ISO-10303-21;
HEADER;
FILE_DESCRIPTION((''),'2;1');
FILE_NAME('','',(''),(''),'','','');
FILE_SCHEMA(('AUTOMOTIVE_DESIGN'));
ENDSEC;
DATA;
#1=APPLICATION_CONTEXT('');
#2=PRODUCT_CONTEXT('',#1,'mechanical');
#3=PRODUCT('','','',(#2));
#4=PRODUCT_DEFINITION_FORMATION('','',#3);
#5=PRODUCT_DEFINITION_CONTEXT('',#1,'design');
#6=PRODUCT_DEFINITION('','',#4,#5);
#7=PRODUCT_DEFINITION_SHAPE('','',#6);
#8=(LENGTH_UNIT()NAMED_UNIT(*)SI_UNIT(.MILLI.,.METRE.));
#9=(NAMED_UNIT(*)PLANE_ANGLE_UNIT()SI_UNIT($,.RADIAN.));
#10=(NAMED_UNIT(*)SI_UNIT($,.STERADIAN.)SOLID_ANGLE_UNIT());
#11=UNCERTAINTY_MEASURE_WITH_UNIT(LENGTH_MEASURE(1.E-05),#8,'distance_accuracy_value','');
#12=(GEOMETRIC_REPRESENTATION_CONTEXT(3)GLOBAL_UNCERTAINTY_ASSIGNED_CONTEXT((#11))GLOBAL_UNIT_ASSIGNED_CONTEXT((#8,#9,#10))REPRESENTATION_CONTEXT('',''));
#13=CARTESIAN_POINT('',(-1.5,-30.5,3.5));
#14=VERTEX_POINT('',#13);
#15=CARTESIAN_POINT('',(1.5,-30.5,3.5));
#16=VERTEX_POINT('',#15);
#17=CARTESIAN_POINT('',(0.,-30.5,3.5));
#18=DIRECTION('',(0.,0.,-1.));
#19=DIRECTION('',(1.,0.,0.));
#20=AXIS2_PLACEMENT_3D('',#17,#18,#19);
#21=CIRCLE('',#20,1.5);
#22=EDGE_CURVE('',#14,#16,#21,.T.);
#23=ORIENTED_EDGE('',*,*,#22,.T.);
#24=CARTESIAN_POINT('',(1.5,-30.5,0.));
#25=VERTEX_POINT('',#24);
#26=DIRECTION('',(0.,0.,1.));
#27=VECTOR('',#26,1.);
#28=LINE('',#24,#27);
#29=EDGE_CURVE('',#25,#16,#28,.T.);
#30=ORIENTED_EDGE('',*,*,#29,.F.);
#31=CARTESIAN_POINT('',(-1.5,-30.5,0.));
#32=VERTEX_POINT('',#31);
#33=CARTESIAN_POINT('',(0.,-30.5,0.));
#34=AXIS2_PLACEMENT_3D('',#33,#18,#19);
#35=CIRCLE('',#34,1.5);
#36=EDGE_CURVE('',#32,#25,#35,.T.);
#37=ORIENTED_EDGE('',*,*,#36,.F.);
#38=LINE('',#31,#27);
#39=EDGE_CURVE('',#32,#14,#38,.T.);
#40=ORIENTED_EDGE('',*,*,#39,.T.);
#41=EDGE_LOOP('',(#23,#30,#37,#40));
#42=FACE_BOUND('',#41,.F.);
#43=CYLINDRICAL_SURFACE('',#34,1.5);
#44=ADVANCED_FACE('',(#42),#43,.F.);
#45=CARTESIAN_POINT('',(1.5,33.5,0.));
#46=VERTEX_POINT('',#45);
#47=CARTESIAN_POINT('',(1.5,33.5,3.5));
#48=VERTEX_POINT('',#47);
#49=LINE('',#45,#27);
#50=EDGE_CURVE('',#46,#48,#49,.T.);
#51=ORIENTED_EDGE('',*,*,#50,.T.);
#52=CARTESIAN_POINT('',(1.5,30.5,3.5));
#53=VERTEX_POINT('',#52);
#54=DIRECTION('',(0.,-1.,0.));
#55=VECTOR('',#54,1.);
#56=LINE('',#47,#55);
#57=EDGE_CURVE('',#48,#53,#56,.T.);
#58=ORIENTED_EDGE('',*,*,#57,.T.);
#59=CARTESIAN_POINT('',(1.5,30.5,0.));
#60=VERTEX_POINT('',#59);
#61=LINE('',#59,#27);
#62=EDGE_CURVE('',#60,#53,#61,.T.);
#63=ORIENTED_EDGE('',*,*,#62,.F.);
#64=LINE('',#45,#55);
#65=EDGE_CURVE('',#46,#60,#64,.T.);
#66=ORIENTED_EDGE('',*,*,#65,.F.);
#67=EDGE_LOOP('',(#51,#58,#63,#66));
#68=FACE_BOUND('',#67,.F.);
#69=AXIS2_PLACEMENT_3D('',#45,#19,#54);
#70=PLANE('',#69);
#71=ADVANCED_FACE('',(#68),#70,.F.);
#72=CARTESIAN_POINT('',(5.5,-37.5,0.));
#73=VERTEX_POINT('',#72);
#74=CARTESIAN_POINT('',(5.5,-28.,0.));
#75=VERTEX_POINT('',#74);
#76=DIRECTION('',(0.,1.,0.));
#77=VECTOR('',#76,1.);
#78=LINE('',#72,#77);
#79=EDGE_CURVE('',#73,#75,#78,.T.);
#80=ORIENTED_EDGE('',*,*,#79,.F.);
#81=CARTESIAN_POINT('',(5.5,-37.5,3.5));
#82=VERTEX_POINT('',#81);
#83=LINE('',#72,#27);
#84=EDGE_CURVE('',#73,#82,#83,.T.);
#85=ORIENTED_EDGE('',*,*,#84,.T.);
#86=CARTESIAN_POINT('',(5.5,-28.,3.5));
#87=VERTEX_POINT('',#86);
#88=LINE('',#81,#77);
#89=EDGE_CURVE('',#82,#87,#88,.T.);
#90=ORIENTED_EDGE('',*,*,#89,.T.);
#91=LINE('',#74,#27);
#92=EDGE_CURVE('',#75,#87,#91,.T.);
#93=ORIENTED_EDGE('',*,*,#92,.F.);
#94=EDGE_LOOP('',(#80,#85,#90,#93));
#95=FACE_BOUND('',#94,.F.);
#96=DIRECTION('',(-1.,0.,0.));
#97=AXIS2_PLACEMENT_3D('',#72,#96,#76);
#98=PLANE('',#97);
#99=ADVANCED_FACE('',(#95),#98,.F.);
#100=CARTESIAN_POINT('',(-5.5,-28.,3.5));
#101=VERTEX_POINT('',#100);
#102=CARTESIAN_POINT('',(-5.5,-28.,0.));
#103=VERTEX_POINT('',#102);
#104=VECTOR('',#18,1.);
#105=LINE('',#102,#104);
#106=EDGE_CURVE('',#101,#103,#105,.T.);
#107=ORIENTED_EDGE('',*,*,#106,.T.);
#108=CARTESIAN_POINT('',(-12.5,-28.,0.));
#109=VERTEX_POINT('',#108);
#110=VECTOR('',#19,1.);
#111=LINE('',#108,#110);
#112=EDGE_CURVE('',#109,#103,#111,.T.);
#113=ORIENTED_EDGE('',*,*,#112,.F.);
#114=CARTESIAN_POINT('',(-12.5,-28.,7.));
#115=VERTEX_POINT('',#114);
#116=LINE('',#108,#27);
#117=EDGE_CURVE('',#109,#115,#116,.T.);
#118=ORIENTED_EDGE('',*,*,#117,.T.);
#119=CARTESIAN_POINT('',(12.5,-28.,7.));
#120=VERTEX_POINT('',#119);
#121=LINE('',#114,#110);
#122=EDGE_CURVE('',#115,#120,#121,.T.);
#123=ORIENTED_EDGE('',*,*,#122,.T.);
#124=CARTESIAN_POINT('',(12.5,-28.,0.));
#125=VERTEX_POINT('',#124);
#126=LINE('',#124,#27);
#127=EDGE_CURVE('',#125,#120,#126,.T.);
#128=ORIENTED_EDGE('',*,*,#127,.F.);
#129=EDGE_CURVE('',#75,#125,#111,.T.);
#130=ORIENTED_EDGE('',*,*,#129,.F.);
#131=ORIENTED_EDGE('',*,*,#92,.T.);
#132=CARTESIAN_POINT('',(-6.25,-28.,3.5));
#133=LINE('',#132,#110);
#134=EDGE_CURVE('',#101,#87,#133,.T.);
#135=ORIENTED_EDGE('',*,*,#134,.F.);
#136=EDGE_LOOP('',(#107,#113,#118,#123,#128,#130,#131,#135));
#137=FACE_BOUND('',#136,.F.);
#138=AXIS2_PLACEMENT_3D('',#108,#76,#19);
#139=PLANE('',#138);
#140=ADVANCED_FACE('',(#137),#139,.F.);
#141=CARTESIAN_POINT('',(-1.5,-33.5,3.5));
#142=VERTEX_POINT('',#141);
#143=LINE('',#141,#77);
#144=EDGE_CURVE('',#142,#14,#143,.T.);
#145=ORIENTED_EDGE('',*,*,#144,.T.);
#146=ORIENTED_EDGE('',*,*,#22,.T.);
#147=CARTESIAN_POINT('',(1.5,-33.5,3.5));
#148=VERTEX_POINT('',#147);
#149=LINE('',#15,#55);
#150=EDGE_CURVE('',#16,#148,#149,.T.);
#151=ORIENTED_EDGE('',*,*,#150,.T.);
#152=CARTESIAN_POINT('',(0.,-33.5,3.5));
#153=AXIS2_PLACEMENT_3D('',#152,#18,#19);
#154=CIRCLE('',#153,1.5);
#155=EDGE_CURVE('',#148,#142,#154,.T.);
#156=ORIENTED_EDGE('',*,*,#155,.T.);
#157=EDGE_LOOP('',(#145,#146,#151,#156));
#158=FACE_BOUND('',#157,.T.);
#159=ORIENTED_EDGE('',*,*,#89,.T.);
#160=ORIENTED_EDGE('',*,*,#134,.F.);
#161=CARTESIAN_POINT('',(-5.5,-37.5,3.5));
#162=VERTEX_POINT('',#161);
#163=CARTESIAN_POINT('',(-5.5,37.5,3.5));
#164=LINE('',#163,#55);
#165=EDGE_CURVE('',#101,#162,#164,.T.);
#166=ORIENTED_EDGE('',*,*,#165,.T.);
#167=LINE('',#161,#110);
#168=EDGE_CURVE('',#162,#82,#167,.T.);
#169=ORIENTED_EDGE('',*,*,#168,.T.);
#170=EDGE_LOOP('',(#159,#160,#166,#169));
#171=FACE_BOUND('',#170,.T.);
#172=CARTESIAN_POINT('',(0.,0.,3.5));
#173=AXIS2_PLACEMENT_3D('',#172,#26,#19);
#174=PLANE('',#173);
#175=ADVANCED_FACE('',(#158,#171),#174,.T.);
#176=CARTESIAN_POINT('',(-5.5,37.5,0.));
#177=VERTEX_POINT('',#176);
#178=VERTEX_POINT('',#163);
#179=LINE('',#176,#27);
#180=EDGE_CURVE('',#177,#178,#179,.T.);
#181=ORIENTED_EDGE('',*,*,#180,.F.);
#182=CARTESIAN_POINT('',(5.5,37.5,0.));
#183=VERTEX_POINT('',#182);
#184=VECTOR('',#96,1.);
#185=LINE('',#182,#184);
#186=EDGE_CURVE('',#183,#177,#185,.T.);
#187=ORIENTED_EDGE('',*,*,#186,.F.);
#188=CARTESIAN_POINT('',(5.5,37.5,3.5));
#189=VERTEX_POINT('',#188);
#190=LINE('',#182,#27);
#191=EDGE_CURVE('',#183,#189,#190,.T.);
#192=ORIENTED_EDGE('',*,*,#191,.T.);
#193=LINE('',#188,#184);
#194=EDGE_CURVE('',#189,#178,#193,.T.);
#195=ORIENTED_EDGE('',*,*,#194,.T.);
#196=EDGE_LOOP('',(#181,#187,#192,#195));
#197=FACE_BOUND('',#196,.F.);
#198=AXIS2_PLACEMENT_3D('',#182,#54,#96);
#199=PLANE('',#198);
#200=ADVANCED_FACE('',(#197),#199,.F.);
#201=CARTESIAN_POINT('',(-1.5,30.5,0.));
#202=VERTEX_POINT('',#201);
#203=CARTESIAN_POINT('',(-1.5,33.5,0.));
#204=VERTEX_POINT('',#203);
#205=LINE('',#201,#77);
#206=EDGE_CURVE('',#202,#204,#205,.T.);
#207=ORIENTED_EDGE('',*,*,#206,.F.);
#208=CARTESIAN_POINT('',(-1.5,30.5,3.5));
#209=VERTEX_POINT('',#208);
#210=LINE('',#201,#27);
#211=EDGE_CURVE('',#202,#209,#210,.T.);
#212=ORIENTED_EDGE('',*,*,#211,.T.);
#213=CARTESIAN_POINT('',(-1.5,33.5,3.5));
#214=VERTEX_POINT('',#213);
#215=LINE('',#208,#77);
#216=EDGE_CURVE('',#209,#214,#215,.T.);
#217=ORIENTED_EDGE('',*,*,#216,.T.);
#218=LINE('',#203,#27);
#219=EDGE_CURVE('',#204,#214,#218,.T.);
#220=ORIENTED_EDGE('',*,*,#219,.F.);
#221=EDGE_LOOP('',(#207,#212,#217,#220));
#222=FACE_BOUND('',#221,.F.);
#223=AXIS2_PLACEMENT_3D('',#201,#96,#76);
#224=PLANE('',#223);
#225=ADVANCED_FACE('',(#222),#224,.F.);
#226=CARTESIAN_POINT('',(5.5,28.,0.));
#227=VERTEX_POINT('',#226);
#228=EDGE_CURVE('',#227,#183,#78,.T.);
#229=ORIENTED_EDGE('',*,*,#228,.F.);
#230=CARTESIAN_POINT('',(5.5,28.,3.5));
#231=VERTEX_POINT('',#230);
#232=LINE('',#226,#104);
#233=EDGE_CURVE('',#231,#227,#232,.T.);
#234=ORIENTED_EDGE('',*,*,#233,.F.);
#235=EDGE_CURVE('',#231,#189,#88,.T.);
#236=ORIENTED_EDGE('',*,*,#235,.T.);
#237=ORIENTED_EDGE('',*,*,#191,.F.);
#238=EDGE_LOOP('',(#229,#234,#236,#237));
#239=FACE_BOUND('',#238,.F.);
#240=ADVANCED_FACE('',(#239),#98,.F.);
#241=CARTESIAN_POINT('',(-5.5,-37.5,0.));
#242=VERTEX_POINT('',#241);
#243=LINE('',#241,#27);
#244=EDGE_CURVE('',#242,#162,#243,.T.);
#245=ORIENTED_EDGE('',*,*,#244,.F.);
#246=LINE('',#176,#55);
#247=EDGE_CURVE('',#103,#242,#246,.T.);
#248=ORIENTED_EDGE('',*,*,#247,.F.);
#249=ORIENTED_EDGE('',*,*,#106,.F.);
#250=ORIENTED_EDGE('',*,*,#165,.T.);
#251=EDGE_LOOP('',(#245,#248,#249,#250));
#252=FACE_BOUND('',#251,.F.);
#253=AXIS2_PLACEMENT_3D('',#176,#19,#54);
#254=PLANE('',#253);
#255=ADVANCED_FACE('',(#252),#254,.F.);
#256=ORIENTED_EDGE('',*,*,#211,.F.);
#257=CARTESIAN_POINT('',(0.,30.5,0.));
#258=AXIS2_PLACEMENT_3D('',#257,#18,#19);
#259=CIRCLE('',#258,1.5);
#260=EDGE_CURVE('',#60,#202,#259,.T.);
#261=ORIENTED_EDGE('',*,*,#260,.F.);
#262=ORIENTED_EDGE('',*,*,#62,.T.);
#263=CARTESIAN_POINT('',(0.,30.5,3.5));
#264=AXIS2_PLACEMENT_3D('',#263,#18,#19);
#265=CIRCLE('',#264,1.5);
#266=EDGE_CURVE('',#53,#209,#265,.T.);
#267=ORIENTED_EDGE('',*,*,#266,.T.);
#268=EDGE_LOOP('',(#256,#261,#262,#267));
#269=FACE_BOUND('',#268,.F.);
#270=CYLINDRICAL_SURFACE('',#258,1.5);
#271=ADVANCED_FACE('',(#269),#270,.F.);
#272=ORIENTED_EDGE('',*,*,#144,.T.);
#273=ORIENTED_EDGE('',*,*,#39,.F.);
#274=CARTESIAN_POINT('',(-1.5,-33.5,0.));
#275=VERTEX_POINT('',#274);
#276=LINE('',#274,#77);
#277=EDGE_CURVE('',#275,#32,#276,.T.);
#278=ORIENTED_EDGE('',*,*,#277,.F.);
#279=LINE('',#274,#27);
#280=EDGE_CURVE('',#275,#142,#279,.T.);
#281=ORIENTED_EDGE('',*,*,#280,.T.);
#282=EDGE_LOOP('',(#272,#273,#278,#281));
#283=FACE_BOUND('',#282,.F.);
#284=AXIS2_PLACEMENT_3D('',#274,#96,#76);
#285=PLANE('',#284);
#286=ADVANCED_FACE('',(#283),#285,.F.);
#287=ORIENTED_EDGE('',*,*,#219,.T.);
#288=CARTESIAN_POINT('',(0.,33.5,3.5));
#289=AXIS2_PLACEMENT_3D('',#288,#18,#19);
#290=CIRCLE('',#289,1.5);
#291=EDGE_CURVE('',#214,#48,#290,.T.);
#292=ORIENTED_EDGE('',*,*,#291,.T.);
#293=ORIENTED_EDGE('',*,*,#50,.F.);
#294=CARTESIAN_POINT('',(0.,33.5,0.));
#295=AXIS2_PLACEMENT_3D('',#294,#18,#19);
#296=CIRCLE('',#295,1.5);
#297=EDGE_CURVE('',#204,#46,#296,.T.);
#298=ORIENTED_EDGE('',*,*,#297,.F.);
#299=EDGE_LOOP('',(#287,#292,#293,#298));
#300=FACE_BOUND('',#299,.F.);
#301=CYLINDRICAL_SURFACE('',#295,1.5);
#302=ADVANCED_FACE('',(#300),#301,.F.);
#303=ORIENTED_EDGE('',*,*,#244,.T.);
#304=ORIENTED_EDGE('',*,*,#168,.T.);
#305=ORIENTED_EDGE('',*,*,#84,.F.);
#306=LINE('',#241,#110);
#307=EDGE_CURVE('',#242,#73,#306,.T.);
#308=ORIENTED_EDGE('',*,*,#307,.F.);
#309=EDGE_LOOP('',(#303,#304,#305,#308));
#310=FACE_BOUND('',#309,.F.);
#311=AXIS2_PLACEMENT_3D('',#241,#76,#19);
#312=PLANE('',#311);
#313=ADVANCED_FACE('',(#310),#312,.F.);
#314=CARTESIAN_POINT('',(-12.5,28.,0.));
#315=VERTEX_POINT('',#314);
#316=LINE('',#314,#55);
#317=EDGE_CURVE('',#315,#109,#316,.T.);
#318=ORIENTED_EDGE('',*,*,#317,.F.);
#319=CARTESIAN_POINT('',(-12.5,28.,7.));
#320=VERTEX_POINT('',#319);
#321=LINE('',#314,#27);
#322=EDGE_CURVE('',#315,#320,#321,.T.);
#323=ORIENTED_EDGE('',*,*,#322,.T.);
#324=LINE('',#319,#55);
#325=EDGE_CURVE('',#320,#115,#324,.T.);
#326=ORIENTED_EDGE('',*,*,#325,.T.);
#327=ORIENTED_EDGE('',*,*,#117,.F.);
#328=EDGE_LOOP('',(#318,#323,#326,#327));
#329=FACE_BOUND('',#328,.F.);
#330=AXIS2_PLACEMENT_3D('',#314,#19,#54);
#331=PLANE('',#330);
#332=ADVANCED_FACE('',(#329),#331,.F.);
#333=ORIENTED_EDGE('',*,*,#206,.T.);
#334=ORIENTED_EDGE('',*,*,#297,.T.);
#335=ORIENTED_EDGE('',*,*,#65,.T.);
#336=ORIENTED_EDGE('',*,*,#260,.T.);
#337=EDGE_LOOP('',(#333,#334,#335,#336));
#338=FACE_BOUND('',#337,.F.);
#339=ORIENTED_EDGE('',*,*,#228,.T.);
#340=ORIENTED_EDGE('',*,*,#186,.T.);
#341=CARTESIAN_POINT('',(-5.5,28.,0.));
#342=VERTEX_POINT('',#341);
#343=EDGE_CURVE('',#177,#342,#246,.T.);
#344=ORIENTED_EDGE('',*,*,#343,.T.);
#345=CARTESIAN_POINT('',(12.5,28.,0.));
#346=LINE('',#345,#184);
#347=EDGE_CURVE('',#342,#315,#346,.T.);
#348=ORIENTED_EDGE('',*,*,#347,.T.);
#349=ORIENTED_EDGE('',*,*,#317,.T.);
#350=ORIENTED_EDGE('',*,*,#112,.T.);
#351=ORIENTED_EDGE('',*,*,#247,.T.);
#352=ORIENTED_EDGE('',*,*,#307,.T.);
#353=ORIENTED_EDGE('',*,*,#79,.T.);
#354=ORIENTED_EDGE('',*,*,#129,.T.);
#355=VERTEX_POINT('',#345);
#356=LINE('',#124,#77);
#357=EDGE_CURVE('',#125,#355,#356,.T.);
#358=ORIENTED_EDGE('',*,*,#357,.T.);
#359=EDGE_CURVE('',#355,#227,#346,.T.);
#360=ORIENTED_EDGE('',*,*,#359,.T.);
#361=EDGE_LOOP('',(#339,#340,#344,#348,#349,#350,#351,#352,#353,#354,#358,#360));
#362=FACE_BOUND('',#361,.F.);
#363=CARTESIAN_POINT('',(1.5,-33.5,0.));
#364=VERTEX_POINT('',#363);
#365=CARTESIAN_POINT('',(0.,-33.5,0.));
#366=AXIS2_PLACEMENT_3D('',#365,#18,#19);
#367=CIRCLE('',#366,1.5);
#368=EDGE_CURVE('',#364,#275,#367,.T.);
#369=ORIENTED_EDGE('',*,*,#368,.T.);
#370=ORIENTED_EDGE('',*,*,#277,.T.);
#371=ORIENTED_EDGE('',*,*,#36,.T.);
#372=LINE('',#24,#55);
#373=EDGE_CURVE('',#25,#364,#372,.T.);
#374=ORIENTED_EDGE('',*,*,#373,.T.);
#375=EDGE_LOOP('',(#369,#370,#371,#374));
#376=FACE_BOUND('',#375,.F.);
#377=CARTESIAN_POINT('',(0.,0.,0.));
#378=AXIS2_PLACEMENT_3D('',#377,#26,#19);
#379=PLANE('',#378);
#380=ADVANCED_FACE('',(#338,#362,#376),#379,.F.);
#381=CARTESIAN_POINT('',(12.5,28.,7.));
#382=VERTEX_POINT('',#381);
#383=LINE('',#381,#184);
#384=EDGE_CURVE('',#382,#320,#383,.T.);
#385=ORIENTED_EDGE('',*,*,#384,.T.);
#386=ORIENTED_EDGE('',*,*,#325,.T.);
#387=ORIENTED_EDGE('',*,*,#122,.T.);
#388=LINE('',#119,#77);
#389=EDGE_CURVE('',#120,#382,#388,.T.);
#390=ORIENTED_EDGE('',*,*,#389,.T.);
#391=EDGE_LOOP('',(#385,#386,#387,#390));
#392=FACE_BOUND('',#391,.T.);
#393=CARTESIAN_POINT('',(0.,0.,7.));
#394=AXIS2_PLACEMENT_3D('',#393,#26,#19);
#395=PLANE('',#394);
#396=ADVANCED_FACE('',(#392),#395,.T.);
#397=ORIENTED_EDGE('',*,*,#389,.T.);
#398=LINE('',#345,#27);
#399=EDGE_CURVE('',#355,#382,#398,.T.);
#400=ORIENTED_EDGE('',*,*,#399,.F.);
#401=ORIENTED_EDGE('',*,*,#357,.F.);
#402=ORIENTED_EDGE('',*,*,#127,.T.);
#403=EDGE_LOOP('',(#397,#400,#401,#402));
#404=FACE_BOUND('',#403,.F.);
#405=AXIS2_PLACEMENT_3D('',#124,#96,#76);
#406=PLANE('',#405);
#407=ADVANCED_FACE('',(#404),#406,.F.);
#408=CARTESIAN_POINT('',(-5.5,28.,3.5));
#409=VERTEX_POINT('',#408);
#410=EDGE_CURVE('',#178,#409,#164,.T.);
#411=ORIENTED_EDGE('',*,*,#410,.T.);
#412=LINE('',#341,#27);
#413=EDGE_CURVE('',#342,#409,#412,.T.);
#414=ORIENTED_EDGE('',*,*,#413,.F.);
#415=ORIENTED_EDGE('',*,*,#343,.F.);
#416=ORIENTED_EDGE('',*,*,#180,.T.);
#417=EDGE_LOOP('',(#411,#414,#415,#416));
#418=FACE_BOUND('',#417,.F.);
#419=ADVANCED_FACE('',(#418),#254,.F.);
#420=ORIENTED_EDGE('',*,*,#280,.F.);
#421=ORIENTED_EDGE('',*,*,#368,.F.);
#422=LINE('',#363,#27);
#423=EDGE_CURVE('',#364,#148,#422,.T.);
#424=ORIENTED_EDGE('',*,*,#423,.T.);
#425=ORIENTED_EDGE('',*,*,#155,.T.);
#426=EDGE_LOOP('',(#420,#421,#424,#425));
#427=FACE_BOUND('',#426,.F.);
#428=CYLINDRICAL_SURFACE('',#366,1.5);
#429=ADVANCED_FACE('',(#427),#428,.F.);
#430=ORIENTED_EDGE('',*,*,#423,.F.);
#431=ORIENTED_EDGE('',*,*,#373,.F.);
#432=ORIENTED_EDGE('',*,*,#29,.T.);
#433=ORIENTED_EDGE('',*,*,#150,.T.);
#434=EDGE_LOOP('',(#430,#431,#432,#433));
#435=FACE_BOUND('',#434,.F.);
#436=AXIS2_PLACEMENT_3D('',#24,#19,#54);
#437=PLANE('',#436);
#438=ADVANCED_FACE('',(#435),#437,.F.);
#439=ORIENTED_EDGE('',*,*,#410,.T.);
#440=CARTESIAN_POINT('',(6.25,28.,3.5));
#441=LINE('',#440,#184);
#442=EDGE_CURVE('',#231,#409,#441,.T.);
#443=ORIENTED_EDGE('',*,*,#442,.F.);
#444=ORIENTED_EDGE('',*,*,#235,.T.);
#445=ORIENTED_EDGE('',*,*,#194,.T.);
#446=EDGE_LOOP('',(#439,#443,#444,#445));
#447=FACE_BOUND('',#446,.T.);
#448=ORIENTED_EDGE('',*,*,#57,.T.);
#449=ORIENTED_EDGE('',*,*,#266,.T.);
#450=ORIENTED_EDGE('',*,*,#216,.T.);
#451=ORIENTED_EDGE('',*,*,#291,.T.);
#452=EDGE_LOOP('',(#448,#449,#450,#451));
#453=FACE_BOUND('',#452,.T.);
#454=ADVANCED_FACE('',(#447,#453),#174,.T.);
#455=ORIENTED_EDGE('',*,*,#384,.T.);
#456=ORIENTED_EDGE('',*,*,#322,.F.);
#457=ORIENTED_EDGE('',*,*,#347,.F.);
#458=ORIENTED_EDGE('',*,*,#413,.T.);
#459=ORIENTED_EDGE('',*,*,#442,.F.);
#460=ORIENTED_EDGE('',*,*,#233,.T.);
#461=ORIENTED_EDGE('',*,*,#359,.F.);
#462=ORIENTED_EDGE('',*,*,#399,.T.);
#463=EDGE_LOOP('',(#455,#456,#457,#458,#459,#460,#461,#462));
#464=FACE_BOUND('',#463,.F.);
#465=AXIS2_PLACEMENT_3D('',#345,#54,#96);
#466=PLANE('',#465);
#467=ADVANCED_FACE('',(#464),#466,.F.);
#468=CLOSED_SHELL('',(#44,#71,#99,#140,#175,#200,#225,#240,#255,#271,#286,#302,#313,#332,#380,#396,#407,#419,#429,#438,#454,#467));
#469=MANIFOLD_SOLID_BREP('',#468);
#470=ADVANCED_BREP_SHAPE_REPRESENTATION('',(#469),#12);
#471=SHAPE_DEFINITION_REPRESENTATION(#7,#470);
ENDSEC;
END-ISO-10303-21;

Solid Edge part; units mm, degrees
sketch "Sketch1" plane through (0, 0, 0) normal (0, 0, 1) x (1, 0, 0)
  line L0 (-12.5, 28) -> (-12.5, -28)
  line L1 (-12.5, -28) -> (12.5, -28)
  line L2 (12.5, -28) -> (12.5, 28)
  line L3 (12.5, 28) -> (-12.5, 28)
extrude "Protrusion1" add sketch "Sketch1" along normal blind 7
sketch "Sketch2" plane through (0, 0, 0) normal (0, 0, 1) x (1, 0, 0)
  line L0 (-12.5, -28) -> (12.5, -28) construction
  line L1 (5.5, -37.5) -> (5.5, 37.5)
  line L2 (-5.5, -37.5) -> (5.5, -37.5)
  line L3 (-5.5, 37.5) -> (-5.5, -37.5)
  line L4 (-1.5, -33.5) -> (-1.5, -30.5)
  line L5 (1.5, -30.5) -> (1.5, -33.5)
  arc A0 (-1.5, -30.5) -> (1.5, -30.5) centre (0, -30.5) cw
  arc A1 (1.5, -33.5) -> (-1.5, -33.5) centre (0, -33.5) cw
  line L6 (-1.5, 30.5) -> (-1.5, 33.5)
  line L7 (1.5, 33.5) -> (1.5, 30.5)
  arc A2 (1.5, 30.5) -> (-1.5, 30.5) centre (0, 30.5) cw
  arc A3 (-1.5, 33.5) -> (1.5, 33.5) centre (0, 33.5) cw
  line L8 (12.5, 28) -> (-12.5, 28) construction
  line L9 (-5.5, 37.5) -> (-5.5, -37.5) construction
  line L10 (5.5, 37.5) -> (-5.5, 37.5)
  line L11 (5.5, -37.5) -> (5.5, 37.5) construction
extrude "ExtrudedProtrusion_2" add sketch "Sketch2" along normal blind 3.5
properties material "Polycarbonate"
